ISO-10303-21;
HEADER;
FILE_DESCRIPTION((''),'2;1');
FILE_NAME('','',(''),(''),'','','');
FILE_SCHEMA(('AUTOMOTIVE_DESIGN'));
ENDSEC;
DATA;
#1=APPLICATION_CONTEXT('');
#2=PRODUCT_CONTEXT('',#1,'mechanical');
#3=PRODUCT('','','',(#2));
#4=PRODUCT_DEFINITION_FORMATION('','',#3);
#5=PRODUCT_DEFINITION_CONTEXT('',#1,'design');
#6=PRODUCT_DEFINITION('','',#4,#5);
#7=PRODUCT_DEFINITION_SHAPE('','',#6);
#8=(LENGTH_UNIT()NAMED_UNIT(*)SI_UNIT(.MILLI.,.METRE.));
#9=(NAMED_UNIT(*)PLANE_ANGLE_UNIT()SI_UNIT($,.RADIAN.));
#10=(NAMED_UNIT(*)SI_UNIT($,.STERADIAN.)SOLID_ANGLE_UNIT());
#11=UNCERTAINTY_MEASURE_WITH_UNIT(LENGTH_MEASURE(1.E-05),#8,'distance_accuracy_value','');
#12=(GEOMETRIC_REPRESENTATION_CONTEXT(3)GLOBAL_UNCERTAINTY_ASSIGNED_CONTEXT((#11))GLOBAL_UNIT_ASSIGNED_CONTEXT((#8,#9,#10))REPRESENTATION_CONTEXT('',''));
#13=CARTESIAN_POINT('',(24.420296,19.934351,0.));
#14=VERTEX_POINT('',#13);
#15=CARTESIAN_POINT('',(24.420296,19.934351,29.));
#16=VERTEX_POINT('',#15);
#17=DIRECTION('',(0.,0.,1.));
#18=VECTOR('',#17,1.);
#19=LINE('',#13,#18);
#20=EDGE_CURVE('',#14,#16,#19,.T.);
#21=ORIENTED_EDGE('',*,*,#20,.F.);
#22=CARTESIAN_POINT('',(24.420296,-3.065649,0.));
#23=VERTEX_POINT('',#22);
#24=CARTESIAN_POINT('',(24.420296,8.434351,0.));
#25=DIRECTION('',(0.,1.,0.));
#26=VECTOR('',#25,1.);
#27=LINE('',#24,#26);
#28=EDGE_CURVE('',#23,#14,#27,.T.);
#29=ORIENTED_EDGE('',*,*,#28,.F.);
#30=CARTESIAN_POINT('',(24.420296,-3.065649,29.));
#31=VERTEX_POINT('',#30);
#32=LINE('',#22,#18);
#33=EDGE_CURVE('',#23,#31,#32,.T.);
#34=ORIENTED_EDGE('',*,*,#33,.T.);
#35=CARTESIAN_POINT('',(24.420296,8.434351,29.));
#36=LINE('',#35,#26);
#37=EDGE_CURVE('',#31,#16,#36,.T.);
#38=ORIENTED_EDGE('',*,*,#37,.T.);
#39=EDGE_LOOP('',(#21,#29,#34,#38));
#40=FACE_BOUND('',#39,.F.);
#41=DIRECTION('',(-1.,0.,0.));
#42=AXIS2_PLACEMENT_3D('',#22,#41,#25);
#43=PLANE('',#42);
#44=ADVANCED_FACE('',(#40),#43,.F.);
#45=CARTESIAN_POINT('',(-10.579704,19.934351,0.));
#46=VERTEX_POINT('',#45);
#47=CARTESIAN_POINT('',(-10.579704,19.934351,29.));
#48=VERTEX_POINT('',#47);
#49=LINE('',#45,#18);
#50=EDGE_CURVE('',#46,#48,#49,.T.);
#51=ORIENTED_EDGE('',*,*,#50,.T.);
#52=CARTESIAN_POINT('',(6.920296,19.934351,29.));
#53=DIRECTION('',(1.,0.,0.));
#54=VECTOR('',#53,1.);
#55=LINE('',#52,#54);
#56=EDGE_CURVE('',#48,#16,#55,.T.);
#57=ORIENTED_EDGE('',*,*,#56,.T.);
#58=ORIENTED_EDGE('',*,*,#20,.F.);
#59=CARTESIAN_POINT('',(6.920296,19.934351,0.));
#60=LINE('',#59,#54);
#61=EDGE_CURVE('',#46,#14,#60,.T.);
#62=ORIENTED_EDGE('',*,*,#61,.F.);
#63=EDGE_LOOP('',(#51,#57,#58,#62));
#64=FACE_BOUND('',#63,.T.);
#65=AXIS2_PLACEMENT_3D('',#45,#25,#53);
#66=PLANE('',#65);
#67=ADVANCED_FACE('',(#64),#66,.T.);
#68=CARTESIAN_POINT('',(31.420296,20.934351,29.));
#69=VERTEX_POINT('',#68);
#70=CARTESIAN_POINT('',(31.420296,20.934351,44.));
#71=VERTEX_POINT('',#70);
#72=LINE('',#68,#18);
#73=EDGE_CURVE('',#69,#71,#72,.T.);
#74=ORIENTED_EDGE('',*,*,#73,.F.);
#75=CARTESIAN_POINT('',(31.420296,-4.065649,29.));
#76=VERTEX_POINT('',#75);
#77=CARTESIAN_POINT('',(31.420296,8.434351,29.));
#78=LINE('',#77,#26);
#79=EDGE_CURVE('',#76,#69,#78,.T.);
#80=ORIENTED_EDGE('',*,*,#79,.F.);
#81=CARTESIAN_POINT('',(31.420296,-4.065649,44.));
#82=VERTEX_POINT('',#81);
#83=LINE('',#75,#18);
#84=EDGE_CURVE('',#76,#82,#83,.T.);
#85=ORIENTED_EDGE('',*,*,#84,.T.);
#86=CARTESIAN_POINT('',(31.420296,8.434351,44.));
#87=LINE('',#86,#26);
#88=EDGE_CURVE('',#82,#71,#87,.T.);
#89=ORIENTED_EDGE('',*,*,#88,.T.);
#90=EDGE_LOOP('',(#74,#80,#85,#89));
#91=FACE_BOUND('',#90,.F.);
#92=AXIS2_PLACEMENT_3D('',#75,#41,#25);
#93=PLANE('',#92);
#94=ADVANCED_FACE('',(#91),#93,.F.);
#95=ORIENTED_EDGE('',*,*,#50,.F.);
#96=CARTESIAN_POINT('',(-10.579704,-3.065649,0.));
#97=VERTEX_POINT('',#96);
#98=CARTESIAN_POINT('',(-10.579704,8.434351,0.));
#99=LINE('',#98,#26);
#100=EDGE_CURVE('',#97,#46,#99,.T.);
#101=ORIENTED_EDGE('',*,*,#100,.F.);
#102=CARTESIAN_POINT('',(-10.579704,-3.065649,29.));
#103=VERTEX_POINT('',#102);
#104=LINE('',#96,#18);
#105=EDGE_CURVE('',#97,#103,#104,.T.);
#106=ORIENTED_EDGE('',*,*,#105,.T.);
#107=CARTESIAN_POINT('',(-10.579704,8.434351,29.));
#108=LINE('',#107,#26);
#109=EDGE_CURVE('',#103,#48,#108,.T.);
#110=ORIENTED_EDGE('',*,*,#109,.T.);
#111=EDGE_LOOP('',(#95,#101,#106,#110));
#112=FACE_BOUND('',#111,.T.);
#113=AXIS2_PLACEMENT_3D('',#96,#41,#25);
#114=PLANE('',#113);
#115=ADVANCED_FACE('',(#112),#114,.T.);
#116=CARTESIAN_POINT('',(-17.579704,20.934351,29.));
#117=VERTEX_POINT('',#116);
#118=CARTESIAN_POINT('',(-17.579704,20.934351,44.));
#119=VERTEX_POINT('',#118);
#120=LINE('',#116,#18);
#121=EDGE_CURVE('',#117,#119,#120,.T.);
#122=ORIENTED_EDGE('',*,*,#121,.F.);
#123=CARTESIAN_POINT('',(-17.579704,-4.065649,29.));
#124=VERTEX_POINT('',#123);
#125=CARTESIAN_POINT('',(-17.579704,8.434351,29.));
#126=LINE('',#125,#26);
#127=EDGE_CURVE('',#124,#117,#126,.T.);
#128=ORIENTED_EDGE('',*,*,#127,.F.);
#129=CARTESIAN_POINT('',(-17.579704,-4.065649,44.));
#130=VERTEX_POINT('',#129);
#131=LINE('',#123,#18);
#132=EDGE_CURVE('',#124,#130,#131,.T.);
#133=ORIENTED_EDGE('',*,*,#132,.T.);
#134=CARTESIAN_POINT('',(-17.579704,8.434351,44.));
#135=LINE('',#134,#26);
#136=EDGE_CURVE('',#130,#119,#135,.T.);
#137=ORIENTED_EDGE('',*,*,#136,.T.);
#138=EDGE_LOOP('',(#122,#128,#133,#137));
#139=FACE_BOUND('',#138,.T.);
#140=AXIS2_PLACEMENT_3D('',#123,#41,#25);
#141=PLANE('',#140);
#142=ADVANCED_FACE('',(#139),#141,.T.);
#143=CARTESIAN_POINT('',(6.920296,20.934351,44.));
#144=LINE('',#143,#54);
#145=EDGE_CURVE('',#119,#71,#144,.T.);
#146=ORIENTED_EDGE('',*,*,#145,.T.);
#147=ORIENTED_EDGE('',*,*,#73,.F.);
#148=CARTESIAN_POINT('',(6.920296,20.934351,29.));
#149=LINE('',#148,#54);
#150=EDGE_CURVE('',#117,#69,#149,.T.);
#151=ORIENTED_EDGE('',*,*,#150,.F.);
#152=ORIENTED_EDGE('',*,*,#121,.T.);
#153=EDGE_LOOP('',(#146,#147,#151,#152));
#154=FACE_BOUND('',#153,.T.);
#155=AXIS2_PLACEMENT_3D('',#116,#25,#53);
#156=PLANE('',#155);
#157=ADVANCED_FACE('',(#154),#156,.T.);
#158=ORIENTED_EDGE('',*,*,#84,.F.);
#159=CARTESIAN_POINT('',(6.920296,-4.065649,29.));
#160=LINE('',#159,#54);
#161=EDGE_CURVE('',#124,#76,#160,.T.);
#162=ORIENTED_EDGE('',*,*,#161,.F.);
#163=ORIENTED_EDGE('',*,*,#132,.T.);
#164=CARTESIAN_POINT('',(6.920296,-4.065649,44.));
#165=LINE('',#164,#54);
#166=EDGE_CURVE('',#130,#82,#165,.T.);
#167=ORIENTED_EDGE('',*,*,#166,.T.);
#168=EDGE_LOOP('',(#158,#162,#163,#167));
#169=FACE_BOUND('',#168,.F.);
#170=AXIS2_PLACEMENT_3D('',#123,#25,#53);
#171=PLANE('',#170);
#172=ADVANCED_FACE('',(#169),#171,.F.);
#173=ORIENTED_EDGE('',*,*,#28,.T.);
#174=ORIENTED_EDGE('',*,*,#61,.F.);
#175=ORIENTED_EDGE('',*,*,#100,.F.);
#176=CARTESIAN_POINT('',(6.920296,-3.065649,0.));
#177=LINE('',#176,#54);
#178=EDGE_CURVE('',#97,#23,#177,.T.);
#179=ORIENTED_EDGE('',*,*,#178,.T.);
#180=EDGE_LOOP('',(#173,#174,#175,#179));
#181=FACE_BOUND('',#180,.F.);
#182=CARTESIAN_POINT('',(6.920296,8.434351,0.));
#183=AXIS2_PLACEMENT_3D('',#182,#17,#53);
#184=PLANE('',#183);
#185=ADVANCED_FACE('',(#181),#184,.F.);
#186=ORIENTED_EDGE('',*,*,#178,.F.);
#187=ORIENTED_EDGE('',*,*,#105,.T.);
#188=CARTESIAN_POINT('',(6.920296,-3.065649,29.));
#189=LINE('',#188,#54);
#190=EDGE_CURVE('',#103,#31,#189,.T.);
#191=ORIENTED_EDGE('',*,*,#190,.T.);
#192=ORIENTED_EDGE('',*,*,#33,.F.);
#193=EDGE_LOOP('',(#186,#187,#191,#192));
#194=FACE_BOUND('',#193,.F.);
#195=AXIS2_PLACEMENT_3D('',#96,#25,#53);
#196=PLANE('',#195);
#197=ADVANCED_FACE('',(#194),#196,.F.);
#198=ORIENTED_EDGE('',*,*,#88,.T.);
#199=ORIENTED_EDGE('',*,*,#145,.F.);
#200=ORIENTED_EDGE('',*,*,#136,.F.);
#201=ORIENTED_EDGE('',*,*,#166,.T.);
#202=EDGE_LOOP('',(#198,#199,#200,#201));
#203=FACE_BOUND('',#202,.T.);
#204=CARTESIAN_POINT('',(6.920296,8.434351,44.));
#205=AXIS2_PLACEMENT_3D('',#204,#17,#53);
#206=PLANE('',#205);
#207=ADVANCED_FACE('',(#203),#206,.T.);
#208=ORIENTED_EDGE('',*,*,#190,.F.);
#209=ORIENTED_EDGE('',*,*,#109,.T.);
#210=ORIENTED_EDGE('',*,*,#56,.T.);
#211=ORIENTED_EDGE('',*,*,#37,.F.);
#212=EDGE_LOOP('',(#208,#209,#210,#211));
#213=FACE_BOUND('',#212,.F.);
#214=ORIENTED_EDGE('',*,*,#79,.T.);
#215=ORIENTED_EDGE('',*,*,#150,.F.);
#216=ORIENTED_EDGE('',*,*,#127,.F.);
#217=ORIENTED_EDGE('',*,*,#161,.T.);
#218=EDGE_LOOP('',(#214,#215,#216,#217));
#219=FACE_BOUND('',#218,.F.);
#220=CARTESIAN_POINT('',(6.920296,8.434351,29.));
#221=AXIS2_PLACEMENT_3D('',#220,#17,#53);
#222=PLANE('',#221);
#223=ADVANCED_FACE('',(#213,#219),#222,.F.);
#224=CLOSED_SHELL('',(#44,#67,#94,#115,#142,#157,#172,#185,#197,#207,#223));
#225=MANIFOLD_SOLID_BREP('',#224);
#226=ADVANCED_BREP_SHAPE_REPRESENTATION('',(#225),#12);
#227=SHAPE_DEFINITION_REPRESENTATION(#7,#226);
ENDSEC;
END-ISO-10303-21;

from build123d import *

# Parameters (mm, degrees)
F0_W     = 35
F0_H     = 23
F1_DEPTH = 29
F2_W     = 49
F2_H     = 25
F2_W_2   = 35
F2_H_2   = 23
F3_DEPTH = 15


with BuildPart() as f1:
    # F0 (on Top) → F1 (new body)
    with BuildSketch(Plane.XY):
        with Locations((6.9202957675, 8.4343513213)):
            Rectangle(F0_W, F0_H)
    extrude(amount=F1_DEPTH)

    # F2 (on face) → F3 (join)
    with BuildSketch(Plane.XY.offset(29)):
        with Locations((6.9202957675, 8.4343513213)):
            Rectangle(F2_W, F2_H)
        with Locations((6.9202957675, 8.4343513213)):
            Rectangle(F2_W_2, F2_H_2, mode=Mode.SUBTRACT)
        with Locations((6.9202957675, 8.4343513213)):
            Rectangle(F2_W_2, F2_H_2)
    extrude(amount=F3_DEPTH)


solid = f1.part
